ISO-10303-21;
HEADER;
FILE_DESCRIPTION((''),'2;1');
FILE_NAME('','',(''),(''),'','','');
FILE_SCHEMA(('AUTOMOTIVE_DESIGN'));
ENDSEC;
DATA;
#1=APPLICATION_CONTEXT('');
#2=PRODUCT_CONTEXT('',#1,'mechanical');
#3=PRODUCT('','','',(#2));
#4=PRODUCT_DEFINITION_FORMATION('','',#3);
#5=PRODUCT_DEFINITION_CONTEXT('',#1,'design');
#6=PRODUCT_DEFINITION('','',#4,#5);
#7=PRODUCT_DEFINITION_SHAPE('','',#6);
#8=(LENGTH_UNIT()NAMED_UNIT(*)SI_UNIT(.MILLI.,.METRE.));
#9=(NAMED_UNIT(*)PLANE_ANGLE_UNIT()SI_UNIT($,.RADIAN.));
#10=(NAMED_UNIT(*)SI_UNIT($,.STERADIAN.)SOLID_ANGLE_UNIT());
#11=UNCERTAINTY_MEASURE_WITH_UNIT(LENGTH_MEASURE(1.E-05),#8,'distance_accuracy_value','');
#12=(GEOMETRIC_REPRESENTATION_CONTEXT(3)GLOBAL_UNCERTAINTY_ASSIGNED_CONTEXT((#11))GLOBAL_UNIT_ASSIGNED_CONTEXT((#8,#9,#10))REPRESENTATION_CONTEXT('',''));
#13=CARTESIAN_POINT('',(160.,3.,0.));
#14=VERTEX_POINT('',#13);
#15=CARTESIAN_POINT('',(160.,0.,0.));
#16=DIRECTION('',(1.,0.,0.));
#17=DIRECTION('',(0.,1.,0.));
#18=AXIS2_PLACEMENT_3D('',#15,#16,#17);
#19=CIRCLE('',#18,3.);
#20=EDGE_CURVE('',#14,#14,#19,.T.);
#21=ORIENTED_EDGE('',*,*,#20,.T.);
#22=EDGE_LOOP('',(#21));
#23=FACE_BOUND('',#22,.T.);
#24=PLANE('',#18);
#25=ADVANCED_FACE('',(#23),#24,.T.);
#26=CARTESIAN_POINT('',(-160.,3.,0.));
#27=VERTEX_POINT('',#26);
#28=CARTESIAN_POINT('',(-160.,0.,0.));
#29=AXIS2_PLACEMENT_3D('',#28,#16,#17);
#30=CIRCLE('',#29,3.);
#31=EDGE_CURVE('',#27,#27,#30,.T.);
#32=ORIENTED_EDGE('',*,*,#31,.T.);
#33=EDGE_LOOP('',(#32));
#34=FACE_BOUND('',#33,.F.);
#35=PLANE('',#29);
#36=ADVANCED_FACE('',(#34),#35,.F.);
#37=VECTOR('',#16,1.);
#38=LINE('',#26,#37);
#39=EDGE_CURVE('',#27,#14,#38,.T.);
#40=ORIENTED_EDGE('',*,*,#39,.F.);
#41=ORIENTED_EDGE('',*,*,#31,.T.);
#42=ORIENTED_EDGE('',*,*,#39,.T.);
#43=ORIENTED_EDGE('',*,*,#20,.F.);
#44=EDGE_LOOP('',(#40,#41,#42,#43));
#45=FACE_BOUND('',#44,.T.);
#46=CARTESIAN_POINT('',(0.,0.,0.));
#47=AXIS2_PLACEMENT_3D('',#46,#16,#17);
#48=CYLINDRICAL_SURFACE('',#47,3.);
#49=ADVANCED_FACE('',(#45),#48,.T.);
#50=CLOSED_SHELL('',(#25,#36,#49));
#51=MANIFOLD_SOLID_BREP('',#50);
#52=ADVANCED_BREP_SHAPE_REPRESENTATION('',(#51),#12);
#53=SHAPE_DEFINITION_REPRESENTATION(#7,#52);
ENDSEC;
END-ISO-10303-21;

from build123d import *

# Parameters (mm, degrees)
SKETCH_R  = 3
PAD_DEPTH = 160


with BuildPart() as part:
    # Sketch → Pad (new body, symmetric)
    with BuildSketch(Plane.YZ):
        Circle(SKETCH_R)
    extrude(amount=PAD_DEPTH, both=True)


solid = part.part
